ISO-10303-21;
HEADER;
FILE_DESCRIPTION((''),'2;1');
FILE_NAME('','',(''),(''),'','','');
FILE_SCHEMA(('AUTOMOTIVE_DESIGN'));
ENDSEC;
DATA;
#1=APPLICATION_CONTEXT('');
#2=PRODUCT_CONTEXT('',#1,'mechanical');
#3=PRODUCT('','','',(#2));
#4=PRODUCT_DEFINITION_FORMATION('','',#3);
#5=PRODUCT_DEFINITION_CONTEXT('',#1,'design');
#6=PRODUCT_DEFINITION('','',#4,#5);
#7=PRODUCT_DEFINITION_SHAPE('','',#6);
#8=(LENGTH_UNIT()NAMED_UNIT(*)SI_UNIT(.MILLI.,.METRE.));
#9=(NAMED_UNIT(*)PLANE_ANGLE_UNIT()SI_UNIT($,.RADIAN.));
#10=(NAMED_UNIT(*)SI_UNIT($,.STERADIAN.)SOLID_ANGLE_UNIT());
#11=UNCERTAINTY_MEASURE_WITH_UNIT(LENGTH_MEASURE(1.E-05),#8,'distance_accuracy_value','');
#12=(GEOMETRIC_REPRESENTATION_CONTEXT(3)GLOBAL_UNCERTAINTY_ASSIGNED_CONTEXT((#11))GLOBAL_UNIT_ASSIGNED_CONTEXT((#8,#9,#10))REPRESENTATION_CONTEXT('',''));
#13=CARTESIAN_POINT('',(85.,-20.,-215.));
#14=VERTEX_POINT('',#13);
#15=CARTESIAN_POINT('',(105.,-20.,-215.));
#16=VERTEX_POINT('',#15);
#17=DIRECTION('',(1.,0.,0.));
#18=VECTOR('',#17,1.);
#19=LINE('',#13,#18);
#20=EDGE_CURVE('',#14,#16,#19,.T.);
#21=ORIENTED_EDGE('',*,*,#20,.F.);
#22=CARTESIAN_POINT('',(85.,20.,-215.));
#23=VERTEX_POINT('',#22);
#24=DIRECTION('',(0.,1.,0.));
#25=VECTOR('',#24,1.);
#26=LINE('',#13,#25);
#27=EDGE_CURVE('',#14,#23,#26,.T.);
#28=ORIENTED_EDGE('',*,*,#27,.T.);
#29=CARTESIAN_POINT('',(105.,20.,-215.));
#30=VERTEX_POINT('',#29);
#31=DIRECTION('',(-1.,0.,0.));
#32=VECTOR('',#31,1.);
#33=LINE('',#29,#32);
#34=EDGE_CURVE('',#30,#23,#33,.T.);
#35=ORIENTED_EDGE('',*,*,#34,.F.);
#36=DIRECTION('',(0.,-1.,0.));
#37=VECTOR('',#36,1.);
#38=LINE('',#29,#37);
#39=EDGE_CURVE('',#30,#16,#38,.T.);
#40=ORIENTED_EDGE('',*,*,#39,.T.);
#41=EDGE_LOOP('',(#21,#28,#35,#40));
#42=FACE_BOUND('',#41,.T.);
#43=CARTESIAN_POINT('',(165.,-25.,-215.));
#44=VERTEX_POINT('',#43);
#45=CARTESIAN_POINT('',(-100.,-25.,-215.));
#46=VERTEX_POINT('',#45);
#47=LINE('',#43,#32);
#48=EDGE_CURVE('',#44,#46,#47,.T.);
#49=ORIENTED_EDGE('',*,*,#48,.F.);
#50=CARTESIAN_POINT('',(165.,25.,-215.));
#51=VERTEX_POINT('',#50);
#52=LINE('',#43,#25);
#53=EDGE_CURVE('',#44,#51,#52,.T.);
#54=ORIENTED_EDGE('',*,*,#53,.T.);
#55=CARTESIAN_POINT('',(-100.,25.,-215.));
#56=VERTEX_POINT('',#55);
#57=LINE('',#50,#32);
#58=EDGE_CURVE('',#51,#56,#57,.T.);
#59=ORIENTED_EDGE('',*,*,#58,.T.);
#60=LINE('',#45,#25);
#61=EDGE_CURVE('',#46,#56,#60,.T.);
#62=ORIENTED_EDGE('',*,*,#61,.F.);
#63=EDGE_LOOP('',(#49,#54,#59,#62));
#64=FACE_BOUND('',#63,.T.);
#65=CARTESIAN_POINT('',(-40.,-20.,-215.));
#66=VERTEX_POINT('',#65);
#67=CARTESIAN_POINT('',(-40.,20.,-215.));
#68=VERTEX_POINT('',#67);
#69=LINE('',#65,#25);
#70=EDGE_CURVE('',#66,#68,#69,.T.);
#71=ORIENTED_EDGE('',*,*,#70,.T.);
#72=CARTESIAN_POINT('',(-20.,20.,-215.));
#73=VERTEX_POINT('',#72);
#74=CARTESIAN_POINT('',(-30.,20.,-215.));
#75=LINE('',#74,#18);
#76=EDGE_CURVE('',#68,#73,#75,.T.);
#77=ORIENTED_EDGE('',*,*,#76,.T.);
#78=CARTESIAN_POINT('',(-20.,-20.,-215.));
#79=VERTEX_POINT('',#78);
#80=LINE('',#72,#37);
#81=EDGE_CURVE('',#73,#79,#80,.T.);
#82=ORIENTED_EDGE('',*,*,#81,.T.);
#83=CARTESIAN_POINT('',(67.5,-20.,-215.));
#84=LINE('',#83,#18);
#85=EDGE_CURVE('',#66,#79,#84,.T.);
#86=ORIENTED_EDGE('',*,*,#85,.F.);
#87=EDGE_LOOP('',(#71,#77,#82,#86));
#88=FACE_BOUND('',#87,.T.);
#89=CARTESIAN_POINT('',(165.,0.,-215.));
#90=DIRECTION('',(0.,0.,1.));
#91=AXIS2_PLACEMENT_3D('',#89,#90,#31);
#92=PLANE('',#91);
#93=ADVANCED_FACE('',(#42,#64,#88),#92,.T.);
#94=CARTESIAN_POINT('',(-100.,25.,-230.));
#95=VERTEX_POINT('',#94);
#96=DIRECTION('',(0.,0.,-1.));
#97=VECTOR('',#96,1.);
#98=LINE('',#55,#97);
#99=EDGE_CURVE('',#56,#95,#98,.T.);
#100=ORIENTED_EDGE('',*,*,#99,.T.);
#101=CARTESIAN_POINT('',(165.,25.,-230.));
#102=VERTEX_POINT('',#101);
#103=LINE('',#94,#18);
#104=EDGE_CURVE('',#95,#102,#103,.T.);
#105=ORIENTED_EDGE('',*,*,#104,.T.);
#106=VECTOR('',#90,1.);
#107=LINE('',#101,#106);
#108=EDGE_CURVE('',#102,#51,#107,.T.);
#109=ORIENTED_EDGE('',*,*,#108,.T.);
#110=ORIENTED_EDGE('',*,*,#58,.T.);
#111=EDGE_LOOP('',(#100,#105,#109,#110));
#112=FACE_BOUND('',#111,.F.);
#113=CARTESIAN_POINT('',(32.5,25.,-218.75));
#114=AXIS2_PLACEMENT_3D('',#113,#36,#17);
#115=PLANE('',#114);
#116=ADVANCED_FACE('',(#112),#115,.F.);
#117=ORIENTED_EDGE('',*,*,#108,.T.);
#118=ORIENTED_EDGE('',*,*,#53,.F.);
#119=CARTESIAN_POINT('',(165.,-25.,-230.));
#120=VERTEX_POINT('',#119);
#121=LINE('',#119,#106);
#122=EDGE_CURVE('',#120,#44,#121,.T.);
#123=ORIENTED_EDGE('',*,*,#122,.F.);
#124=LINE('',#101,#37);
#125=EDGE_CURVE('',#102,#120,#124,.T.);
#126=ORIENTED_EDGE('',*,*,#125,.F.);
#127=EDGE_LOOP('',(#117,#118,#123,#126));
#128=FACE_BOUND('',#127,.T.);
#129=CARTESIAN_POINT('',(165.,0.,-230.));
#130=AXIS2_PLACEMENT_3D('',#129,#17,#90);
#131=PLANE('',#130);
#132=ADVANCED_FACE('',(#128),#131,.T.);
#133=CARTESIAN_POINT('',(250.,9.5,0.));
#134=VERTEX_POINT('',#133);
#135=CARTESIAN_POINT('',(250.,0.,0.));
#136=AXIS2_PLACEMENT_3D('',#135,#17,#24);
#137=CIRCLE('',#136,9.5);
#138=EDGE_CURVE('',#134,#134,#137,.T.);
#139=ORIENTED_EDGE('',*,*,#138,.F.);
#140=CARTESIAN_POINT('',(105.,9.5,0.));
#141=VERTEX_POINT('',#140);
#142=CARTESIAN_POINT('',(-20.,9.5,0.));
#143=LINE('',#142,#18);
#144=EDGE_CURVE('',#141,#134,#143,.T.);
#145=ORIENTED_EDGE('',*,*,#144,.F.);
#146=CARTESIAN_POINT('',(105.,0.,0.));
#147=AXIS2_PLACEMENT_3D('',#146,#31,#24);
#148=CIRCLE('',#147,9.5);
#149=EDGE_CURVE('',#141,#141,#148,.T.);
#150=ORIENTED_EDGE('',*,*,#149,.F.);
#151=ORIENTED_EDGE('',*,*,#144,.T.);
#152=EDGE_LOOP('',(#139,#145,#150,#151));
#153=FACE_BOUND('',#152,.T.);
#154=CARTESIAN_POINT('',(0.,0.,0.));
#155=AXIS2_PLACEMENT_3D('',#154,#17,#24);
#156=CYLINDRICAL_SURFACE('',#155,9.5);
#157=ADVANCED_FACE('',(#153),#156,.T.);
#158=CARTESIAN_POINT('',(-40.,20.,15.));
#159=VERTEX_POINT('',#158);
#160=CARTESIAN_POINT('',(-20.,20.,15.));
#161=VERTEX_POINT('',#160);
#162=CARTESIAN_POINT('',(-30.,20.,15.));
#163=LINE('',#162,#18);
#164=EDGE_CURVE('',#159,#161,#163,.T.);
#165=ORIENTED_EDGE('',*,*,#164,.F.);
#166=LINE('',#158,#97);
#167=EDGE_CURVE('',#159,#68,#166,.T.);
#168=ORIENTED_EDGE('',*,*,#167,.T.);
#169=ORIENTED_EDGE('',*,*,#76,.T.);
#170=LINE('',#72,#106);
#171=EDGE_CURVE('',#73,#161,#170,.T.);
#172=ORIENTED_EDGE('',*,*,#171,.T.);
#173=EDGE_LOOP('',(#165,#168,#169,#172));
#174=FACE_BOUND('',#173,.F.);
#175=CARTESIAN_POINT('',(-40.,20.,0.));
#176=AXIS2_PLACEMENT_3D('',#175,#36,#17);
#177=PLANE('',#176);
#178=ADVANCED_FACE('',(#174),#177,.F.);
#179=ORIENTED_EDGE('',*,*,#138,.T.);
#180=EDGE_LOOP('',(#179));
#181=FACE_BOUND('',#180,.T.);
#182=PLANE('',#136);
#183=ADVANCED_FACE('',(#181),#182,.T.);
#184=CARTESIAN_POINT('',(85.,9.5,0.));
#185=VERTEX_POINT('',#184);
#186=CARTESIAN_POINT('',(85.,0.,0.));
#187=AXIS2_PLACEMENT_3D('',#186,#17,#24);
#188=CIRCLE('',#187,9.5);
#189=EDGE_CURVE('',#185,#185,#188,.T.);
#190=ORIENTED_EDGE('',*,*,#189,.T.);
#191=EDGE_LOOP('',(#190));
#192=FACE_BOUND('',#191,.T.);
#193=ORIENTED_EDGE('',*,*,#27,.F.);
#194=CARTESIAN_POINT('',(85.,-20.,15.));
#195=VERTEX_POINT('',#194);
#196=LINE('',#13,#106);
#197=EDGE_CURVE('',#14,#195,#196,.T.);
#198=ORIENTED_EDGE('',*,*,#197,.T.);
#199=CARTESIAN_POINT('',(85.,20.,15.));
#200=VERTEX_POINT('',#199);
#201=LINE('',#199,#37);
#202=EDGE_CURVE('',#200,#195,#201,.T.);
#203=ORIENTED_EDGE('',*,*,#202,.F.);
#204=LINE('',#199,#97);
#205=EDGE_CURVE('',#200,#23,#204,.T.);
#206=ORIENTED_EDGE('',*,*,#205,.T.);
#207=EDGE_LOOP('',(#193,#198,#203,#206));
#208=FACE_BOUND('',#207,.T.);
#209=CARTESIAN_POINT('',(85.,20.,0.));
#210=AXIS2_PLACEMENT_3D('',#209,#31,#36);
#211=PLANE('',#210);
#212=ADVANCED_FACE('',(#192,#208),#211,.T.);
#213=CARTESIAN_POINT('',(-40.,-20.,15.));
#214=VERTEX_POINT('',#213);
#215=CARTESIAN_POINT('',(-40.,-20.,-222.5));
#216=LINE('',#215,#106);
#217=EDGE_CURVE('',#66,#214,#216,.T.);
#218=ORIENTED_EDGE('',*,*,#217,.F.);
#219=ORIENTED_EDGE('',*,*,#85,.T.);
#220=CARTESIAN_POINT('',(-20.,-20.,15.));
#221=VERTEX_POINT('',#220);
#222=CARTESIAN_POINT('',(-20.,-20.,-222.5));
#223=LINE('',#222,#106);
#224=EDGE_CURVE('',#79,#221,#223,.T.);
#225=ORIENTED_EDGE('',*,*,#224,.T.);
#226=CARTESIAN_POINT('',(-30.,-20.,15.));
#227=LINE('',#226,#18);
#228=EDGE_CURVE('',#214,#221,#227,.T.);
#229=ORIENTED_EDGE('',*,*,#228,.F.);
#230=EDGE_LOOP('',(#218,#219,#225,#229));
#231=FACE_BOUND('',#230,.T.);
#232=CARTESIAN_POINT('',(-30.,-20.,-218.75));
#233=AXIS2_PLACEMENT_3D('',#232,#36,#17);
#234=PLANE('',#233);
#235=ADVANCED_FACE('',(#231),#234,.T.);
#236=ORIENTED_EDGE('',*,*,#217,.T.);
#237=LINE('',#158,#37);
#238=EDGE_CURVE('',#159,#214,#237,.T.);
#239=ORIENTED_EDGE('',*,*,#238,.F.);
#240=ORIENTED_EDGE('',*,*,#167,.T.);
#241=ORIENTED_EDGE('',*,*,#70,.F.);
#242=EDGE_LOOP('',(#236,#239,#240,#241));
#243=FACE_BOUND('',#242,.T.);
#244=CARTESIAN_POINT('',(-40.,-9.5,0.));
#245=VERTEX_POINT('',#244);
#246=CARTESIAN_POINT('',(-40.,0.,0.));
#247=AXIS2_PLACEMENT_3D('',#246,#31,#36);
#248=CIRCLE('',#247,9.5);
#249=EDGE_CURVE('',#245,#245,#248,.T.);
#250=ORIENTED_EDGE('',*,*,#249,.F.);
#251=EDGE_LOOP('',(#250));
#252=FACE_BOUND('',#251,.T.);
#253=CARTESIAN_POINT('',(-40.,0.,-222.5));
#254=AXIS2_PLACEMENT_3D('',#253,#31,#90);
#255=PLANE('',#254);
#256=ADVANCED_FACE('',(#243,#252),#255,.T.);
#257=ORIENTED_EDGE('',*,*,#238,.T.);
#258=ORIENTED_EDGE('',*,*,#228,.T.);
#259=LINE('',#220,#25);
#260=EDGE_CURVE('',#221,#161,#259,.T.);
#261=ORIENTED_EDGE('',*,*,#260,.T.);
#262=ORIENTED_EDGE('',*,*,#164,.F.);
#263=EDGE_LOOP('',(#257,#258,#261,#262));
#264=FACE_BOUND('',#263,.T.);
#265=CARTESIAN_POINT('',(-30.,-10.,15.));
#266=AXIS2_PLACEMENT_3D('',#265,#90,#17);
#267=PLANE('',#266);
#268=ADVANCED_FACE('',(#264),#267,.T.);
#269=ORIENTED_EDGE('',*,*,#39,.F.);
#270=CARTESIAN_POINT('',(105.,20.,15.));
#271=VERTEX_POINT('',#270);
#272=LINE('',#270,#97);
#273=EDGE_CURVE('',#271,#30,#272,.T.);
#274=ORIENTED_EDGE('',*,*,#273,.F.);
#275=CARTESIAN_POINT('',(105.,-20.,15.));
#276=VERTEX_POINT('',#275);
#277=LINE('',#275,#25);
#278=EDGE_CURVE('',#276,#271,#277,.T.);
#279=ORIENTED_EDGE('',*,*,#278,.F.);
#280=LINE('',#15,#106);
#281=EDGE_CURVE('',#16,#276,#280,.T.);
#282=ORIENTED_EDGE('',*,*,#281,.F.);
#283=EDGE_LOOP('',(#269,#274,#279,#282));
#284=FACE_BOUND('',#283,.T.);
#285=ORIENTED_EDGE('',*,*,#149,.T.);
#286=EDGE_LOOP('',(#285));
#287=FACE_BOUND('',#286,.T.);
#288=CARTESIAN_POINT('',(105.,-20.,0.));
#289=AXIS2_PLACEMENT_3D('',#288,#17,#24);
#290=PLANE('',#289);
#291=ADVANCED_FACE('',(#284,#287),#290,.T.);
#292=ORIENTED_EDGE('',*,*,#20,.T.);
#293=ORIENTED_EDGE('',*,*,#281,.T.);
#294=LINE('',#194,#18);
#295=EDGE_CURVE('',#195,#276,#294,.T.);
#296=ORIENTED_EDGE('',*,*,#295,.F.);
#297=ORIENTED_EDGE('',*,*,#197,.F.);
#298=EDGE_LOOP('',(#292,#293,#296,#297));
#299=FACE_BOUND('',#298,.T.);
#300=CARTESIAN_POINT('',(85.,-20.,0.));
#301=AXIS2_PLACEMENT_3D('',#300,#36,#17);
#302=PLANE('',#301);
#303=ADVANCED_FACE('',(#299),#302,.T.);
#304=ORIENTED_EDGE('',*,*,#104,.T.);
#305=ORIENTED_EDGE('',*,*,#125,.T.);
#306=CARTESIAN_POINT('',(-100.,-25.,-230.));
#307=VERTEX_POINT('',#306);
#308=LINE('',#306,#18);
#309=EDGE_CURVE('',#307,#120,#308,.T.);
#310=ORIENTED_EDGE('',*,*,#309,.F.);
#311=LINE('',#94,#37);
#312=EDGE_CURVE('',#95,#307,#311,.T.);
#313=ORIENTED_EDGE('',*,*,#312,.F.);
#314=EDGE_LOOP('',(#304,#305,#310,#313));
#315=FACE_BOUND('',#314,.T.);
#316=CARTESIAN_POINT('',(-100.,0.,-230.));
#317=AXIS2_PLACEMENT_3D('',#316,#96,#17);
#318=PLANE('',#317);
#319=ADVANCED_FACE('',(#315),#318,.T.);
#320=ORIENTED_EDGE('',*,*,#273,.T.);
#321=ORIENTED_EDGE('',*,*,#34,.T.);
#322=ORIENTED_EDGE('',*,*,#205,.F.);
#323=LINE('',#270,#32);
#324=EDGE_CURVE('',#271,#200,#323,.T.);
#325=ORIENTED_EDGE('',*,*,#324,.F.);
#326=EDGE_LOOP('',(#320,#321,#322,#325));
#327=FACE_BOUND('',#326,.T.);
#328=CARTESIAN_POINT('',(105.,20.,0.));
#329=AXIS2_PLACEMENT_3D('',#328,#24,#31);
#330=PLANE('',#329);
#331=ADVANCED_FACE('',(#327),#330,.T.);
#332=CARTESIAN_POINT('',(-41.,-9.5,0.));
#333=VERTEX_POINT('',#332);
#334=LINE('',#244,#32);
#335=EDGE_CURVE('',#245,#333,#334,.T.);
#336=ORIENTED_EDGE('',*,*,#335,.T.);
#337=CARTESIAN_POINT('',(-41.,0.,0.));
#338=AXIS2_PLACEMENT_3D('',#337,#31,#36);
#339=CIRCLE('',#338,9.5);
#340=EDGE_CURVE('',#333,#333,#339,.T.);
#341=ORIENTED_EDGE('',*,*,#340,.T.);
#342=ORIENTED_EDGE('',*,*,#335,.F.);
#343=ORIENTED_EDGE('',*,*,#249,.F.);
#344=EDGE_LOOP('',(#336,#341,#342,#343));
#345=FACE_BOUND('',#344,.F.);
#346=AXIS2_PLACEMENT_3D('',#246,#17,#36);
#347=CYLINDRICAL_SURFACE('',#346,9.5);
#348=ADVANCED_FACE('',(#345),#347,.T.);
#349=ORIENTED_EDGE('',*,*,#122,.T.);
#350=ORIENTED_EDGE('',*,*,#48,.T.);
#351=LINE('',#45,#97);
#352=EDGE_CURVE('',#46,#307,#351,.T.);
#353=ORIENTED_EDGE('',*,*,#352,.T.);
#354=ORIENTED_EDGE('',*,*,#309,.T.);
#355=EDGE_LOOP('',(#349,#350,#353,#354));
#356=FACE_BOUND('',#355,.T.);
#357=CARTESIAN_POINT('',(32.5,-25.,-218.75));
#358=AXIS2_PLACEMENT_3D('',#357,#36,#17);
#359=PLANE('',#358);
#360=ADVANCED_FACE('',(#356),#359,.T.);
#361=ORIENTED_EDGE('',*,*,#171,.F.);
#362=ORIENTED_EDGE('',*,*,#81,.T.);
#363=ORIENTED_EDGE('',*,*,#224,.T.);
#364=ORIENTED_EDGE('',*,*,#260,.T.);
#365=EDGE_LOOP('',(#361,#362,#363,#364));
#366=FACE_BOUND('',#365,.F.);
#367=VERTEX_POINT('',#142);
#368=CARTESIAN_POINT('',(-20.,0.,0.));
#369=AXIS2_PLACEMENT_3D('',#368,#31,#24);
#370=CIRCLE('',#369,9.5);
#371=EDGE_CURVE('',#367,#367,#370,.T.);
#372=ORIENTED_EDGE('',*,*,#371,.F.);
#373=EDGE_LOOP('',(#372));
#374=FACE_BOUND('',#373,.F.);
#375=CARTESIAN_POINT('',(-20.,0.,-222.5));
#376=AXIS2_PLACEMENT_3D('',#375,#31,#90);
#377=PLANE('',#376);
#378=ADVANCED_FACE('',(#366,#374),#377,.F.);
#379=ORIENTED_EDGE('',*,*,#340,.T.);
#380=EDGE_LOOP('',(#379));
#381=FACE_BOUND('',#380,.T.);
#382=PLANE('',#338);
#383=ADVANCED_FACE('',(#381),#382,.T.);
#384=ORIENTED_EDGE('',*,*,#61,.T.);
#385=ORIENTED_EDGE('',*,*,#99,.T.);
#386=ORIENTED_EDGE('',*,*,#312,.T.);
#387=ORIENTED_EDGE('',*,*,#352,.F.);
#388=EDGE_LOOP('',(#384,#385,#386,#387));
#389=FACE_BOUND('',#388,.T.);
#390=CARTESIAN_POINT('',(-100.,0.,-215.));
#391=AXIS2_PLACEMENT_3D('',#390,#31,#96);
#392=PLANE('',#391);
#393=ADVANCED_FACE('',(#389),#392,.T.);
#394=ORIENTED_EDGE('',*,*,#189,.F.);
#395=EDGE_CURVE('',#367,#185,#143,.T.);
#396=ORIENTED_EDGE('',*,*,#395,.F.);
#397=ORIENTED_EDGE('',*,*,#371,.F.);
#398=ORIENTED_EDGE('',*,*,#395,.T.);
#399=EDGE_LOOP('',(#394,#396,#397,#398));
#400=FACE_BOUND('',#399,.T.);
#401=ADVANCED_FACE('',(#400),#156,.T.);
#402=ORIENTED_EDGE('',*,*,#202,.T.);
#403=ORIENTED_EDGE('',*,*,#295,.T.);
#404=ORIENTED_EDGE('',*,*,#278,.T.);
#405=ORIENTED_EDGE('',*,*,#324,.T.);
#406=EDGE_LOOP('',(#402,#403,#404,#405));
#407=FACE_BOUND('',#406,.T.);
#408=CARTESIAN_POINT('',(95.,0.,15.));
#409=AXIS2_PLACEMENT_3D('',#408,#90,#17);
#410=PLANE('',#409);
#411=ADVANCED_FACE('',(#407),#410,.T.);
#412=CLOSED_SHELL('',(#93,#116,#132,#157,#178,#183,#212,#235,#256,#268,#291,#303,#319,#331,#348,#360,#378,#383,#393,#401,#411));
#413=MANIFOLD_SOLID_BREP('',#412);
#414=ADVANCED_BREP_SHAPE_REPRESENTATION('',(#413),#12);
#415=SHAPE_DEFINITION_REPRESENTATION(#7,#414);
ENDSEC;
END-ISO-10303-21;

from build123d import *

# Parameters (mm, degrees)
F0_R      = 9.5
F1_DEPTH  = 40
F2_R      = 9.5
F3_DEPTH  = 70
F4_R      = 9.5
F5_DEPTH  = 180
F6_W      = 20
F6_H      = 20
F7_DEPTH  = 15
F8_W      = 20
F8_H      = 10
F9_DEPTH  = 215
F11_DEPTH = 15
F12_DEPTH = 15
F13_DEPTH = 215
F15_DEPTH = 215
F16_W     = 20
F16_H     = 7.5
F17_DEPTH = 20
F18_DEPTH = 25
F19_DEPTH = 25
F20_R     = 9.5
F21_DEPTH = 1


with BuildPart() as f1:
    # F0 (on Right) → F1 (new body)
    with BuildSketch(Plane.YZ):
        Circle(F0_R)
    extrude(amount=-F1_DEPTH)

    # F2 (on face) → F3 (join)
    with BuildSketch(Plane.YZ):
        Circle(F2_R)
    extrude(amount=F3_DEPTH)

    # F4 (on face) → F5 (join)
    with BuildSketch(Plane.YZ.offset(70)):
        Circle(F4_R)
    extrude(amount=F5_DEPTH)

    # F6 (on Top) → F7 (join)
    with BuildSketch(Plane.XY):
        with Locations((-30, -10)):
            Rectangle(F6_W, F6_H)
        with Locations((-30, 10)):
            Rectangle(F6_W, F6_H)
    extrude(amount=F7_DEPTH)

    # F8 (on Top) → F9 (join)
    with BuildSketch(Plane.XY):
        with Locations((-30, -5)):
            Rectangle(F8_W, F8_H)
        with Locations((-30, 5)):
            Rectangle(F8_W, F8_H)
        with Locations((-30, -15)):
            Rectangle(F8_W, F8_H)
        with Locations((-30, 15)):
            Rectangle(F8_W, F8_H)
    extrude(amount=-F9_DEPTH)

    # F10 (on Top) → F11 (join)
    with BuildSketch(Plane.XY):
        Polygon((85, 10), (85, 0), (85, -10), (85, -20), (105, -20), (105, 20), (85, 20), align=None)
    extrude(amount=F11_DEPTH)

    # F6 (on Top) → F12 (join)
    with BuildSketch(Plane.XY):
        with Locations((-30, -10)):
            Rectangle(F6_W, F6_H)
        with Locations((-30, 10)):
            Rectangle(F6_W, F6_H)
    extrude(amount=F12_DEPTH)

    # F8 (on Top) → F13 (join)
    with BuildSketch(Plane.XY):
        with Locations((-30, -5)):
            Rectangle(F8_W, F8_H)
        with Locations((-30, 5)):
            Rectangle(F8_W, F8_H)
        with Locations((-30, -15)):
            Rectangle(F8_W, F8_H)
        with Locations((-30, 15)):
            Rectangle(F8_W, F8_H)
    extrude(amount=-F13_DEPTH)

    # F14 (on Top) → F15 (join)
    with BuildSketch(Plane.XY):
        Polygon((85, 20), (85, 0), (85, -20), (105, -20), (105, 20), align=None)
    extrude(amount=-F15_DEPTH)

    # F16 (on Front) → F17 (join)
    with BuildSketch(Plane.XZ):
        with Locations((-30, -218.75)):
            Rectangle(F16_W, F16_H)
    extrude(amount=F17_DEPTH)

    # F16 (on Front) → F18 (join)
    with BuildSketch(Plane.XZ):
        Polygon((85, -215), (0, -215), (-20, -215), (-20, -222.5), (85, -222.5), align=None)
        with Locations((-30, -218.75)):
            Rectangle(F16_W, F16_H)
        with Locations((95, -218.75)):
            Rectangle(F16_W, F16_H)
        Polygon((-40, -222.5), (-40, -215), (-100, -215), (-100, -230), (-40, -230), align=None)
        Polygon((85, -222.5), (-20, -222.5), (-40, -222.5), (-40, -230), (165, -230), (165, -215), (105, -215), (105, -222.5), align=None)
    extrude(amount=F18_DEPTH)

    # F16 (on Front) → F19 (join)
    with BuildSketch(Plane.XZ):
        Polygon((85, -215), (0, -215), (-20, -215), (-20, -222.5), (85, -222.5), align=None)
        with Locations((-30, -218.75)):
            Rectangle(F16_W, F16_H)
        with Locations((95, -218.75)):
            Rectangle(F16_W, F16_H)
        Polygon((-40, -222.5), (-40, -215), (-100, -215), (-100, -230), (-40, -230), align=None)
        Polygon((85, -222.5), (-20, -222.5), (-40, -222.5), (-40, -230), (165, -230), (165, -215), (105, -215), (105, -222.5), align=None)
    extrude(amount=-F19_DEPTH)

    # F20 (on face) → F21 (join)
    with BuildSketch(Plane(origin=(-40, 0, 0), x_dir=(0, -1, 0), z_dir=(-1, 0, 0))):
        Circle(F20_R)
    extrude(amount=F21_DEPTH)


solid = f1.part
